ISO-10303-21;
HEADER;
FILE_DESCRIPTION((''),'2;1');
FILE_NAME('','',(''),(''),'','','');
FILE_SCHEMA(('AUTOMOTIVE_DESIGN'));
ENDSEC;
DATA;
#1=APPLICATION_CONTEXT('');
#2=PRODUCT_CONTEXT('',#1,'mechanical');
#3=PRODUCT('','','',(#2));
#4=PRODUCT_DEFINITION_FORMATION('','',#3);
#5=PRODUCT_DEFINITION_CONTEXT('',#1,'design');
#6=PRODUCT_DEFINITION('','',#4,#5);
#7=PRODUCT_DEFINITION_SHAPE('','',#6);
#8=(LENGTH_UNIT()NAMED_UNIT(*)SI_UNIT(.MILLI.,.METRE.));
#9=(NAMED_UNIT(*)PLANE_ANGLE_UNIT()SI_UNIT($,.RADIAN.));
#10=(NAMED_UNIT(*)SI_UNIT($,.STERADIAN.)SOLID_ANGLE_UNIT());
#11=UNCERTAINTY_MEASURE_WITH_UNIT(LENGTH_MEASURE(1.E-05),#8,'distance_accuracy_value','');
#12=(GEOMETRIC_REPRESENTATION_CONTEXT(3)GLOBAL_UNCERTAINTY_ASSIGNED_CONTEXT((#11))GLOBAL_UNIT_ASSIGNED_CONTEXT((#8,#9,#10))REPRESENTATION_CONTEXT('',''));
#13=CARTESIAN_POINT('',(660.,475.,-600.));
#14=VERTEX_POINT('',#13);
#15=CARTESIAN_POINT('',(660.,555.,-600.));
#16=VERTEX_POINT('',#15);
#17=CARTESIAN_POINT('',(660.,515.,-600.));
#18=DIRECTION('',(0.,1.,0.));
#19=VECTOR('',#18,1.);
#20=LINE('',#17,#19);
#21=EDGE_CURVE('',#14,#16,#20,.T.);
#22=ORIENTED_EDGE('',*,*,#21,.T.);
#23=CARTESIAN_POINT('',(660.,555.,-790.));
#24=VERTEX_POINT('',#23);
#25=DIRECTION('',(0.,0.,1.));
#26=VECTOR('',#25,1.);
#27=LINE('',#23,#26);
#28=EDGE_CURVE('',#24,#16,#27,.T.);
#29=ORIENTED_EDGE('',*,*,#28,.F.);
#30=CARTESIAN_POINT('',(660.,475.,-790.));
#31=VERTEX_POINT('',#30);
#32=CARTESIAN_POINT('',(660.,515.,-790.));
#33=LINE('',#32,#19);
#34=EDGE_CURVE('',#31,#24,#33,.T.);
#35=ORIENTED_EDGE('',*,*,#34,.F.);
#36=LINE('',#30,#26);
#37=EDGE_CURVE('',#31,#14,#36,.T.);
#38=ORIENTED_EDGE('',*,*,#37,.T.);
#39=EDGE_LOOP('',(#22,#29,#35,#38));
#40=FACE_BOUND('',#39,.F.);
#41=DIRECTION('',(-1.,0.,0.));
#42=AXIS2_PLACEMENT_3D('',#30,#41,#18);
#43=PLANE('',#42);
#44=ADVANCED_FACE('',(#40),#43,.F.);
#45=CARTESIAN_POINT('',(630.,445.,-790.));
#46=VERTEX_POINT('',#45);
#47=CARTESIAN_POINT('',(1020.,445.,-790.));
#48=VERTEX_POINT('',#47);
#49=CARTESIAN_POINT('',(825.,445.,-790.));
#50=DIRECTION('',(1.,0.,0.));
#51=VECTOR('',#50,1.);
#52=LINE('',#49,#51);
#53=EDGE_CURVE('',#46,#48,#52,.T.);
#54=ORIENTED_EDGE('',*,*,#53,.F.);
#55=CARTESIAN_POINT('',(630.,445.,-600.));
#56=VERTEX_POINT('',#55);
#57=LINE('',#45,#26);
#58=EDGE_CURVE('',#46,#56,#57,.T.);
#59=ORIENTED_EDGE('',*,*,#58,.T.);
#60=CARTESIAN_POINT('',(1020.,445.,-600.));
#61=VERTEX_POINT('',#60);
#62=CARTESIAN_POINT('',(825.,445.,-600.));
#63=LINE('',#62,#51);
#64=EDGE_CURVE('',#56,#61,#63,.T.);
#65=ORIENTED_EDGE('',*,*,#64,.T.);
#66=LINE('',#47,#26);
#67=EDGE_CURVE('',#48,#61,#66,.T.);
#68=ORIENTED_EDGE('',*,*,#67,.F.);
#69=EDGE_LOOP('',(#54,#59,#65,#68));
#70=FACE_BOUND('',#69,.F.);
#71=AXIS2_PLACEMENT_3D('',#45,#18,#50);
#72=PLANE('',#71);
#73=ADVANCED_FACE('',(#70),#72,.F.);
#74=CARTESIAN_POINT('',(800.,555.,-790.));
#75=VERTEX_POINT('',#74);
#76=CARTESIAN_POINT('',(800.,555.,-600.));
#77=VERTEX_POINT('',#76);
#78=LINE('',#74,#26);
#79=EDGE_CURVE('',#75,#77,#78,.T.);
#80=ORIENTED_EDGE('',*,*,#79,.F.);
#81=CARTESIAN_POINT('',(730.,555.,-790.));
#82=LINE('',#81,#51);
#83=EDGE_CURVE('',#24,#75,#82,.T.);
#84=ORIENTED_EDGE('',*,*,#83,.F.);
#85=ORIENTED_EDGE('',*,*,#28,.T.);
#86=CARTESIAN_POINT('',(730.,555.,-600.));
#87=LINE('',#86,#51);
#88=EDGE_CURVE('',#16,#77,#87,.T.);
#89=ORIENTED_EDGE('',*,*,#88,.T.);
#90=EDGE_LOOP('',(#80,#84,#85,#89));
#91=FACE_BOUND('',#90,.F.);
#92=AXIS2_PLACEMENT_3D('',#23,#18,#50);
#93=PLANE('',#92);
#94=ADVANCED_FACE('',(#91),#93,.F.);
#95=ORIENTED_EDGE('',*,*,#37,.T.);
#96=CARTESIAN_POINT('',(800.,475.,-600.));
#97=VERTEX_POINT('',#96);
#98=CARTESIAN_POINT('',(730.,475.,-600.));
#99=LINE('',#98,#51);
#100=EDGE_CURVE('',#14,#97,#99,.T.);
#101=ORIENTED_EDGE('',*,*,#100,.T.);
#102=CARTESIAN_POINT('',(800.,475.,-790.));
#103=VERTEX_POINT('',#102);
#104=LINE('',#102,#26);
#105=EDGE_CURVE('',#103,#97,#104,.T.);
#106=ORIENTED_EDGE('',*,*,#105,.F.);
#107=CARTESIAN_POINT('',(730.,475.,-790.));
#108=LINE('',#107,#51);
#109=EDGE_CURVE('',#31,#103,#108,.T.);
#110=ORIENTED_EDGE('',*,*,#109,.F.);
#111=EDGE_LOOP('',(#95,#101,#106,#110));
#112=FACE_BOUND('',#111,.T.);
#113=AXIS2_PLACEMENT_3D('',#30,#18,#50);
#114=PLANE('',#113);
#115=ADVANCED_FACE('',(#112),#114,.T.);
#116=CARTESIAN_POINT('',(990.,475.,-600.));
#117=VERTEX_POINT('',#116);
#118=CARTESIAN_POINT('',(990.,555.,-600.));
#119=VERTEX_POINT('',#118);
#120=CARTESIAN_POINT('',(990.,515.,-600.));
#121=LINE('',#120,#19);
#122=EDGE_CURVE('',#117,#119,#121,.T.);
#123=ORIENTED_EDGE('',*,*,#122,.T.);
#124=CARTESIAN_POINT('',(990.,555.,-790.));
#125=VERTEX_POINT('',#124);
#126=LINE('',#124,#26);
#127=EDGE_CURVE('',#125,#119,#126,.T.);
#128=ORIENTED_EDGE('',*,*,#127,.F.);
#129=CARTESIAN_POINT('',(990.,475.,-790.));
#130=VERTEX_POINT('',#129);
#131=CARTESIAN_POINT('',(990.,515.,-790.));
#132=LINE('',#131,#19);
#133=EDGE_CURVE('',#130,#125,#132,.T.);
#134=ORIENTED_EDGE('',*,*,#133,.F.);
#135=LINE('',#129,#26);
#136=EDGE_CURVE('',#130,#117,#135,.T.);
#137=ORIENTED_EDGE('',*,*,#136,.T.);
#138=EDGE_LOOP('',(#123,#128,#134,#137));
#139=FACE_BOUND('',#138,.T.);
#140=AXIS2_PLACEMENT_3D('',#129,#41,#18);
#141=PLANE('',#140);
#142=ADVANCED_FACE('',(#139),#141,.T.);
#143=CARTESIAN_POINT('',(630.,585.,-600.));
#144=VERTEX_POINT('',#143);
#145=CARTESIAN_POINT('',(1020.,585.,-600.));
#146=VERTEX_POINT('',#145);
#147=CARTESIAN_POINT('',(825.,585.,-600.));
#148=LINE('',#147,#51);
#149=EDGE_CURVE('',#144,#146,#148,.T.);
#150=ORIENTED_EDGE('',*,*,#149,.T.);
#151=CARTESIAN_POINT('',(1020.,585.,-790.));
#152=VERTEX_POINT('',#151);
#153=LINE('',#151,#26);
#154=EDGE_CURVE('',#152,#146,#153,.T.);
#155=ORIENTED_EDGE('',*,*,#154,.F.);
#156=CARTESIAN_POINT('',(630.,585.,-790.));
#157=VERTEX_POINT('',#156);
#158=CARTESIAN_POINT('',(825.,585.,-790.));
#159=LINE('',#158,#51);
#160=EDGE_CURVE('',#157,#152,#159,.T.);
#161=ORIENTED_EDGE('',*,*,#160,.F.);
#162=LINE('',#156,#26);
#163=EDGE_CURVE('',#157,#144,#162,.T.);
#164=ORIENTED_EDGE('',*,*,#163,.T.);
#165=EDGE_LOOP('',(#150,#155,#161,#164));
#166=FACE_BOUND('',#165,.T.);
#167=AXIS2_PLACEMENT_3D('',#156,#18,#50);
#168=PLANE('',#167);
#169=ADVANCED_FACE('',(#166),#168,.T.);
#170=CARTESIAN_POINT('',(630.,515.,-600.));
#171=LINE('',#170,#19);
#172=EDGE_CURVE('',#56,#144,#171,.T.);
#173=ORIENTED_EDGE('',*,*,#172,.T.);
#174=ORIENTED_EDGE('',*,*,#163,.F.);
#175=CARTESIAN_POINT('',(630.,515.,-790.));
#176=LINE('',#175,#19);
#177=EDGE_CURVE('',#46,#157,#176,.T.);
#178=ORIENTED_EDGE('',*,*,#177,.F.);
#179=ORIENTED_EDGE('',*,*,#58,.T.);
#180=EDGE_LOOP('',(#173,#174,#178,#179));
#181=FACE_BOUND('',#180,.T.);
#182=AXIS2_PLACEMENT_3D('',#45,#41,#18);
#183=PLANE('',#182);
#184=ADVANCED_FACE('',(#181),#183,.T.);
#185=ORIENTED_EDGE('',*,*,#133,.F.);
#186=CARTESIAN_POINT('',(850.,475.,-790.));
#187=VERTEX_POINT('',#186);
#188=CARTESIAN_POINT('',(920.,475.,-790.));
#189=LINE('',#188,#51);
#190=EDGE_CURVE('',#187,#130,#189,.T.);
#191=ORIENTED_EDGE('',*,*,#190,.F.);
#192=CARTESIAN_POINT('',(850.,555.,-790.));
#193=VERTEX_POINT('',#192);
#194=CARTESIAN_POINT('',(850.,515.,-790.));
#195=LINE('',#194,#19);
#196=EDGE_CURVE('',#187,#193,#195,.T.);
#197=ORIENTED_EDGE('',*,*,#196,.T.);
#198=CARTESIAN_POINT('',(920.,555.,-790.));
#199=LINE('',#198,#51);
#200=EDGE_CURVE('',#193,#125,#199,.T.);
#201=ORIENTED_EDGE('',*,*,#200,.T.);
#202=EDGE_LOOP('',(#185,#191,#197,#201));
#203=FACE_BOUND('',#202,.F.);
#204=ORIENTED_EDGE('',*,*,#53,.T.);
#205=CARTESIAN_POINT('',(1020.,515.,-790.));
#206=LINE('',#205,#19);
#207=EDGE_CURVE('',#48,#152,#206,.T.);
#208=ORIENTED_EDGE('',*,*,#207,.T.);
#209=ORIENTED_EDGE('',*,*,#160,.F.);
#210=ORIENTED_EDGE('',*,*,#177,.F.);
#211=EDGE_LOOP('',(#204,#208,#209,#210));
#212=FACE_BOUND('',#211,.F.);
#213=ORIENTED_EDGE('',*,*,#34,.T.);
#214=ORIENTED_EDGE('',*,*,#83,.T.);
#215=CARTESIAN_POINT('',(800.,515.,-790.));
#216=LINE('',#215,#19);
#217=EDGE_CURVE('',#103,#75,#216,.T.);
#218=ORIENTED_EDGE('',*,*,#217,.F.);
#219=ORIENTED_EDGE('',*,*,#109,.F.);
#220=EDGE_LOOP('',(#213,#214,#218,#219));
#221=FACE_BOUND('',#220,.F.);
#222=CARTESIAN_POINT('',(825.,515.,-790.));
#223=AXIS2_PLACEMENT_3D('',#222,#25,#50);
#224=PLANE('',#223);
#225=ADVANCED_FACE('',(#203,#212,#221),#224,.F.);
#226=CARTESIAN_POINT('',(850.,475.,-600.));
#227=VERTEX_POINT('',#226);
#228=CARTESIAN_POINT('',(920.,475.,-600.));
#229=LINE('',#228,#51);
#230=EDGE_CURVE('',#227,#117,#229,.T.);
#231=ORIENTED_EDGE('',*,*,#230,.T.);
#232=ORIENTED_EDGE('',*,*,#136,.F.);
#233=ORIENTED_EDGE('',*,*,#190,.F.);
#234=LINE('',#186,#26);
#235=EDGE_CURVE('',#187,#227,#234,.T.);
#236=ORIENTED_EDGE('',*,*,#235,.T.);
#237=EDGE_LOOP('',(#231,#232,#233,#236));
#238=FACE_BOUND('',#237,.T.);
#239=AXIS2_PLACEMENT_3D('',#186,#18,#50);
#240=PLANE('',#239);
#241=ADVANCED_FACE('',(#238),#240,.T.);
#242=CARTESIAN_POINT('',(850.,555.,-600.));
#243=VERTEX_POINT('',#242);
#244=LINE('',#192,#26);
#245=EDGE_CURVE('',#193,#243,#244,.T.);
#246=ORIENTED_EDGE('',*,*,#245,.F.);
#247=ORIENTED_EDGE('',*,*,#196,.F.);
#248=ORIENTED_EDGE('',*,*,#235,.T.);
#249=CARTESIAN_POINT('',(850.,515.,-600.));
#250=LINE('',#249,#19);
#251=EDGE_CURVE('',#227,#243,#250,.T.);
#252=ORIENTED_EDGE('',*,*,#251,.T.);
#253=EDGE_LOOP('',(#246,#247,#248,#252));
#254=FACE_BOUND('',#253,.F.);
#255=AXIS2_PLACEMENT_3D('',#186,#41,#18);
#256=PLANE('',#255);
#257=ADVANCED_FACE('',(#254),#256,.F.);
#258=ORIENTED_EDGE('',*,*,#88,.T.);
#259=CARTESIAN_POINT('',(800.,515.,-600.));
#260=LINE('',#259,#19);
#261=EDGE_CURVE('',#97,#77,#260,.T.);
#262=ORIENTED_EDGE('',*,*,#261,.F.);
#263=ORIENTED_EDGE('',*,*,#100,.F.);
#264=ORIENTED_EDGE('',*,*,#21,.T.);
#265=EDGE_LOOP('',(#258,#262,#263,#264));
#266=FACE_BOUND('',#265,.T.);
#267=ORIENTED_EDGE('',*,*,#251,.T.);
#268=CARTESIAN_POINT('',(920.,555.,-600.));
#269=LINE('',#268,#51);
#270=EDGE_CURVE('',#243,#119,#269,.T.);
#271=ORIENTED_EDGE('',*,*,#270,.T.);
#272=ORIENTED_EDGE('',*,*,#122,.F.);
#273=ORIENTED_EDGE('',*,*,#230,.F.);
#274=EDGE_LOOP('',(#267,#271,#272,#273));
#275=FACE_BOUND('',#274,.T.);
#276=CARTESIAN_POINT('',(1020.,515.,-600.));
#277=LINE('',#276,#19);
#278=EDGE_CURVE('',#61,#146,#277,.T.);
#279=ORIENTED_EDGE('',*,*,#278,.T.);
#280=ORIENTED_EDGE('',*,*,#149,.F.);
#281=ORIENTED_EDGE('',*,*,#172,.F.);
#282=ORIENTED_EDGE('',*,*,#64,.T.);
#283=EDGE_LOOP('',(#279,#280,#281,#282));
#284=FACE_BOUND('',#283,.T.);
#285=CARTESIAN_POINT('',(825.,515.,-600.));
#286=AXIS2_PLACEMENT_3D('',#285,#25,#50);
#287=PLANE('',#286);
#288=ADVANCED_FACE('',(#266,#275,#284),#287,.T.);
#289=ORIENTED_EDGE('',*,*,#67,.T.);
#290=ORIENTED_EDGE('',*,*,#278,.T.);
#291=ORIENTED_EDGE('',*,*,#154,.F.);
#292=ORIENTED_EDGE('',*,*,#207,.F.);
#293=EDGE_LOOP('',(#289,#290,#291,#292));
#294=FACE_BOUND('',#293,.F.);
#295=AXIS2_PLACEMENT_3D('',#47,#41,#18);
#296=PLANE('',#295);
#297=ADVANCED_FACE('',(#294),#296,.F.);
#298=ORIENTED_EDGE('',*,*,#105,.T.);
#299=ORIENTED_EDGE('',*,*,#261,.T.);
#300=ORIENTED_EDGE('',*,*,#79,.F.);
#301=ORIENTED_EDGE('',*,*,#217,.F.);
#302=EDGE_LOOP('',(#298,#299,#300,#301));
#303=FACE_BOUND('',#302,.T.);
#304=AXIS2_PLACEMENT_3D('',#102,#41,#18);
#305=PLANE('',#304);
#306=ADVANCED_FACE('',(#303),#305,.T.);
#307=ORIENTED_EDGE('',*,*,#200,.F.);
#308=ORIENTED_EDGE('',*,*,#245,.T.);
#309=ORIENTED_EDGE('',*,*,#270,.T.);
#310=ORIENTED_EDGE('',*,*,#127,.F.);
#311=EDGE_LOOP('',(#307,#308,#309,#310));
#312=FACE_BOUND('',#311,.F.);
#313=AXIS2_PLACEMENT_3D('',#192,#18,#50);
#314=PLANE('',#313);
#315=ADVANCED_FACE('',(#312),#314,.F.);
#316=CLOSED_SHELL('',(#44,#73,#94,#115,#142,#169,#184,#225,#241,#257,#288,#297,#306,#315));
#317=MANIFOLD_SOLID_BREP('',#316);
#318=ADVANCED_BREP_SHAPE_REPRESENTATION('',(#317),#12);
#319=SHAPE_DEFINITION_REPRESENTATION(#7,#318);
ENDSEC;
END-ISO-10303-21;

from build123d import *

# Parameters (mm, degrees)
BOX035_W     = 140
BOX035_H     = 80
BOX035_DEPTH = 190
BOX036_W     = 140
BOX036_H     = 80
BOX036_DEPTH = 190
BOX037_W     = 390
BOX037_H     = 140
BOX037_DEPTH = 190


with BuildPart() as cube025:
    # Box035 → Box035 (new body)
    with BuildSketch(Plane(origin=(220, 30, 0), x_dir=(1, 0, 0), z_dir=(0, 0, 1))):
        with Locations((70, 40)):
            Rectangle(BOX035_W, BOX035_H)
    extrude(amount=BOX035_DEPTH)


with BuildPart() as fusion011:
    # Box036 → Box036 (new body)
    with BuildSketch(Plane(origin=(30, 30, 0), x_dir=(1, 0, 0), z_dir=(0, 0, 1))):
        with Locations((70, 40)):
            Rectangle(BOX036_W, BOX036_H)
    extrude(amount=BOX036_DEPTH)

    # Fusion011: union Cube025
    add(cube025.part)


with BuildPart() as cut008:
    # Box037 → Box037 (new body)
    with BuildSketch(Plane.XY):
        with Locations((195, 70)):
            Rectangle(BOX037_W, BOX037_H)
    extrude(amount=BOX037_DEPTH)

    # Cut008: cut Fusion011
    add(fusion011.part, mode=Mode.SUBTRACT)


with BuildPart() as cut008_1:
    # Cut008 placement: moved
    add(cut008.part.moved(Location((630, 445, -790))))


solid = cut008_1.part
